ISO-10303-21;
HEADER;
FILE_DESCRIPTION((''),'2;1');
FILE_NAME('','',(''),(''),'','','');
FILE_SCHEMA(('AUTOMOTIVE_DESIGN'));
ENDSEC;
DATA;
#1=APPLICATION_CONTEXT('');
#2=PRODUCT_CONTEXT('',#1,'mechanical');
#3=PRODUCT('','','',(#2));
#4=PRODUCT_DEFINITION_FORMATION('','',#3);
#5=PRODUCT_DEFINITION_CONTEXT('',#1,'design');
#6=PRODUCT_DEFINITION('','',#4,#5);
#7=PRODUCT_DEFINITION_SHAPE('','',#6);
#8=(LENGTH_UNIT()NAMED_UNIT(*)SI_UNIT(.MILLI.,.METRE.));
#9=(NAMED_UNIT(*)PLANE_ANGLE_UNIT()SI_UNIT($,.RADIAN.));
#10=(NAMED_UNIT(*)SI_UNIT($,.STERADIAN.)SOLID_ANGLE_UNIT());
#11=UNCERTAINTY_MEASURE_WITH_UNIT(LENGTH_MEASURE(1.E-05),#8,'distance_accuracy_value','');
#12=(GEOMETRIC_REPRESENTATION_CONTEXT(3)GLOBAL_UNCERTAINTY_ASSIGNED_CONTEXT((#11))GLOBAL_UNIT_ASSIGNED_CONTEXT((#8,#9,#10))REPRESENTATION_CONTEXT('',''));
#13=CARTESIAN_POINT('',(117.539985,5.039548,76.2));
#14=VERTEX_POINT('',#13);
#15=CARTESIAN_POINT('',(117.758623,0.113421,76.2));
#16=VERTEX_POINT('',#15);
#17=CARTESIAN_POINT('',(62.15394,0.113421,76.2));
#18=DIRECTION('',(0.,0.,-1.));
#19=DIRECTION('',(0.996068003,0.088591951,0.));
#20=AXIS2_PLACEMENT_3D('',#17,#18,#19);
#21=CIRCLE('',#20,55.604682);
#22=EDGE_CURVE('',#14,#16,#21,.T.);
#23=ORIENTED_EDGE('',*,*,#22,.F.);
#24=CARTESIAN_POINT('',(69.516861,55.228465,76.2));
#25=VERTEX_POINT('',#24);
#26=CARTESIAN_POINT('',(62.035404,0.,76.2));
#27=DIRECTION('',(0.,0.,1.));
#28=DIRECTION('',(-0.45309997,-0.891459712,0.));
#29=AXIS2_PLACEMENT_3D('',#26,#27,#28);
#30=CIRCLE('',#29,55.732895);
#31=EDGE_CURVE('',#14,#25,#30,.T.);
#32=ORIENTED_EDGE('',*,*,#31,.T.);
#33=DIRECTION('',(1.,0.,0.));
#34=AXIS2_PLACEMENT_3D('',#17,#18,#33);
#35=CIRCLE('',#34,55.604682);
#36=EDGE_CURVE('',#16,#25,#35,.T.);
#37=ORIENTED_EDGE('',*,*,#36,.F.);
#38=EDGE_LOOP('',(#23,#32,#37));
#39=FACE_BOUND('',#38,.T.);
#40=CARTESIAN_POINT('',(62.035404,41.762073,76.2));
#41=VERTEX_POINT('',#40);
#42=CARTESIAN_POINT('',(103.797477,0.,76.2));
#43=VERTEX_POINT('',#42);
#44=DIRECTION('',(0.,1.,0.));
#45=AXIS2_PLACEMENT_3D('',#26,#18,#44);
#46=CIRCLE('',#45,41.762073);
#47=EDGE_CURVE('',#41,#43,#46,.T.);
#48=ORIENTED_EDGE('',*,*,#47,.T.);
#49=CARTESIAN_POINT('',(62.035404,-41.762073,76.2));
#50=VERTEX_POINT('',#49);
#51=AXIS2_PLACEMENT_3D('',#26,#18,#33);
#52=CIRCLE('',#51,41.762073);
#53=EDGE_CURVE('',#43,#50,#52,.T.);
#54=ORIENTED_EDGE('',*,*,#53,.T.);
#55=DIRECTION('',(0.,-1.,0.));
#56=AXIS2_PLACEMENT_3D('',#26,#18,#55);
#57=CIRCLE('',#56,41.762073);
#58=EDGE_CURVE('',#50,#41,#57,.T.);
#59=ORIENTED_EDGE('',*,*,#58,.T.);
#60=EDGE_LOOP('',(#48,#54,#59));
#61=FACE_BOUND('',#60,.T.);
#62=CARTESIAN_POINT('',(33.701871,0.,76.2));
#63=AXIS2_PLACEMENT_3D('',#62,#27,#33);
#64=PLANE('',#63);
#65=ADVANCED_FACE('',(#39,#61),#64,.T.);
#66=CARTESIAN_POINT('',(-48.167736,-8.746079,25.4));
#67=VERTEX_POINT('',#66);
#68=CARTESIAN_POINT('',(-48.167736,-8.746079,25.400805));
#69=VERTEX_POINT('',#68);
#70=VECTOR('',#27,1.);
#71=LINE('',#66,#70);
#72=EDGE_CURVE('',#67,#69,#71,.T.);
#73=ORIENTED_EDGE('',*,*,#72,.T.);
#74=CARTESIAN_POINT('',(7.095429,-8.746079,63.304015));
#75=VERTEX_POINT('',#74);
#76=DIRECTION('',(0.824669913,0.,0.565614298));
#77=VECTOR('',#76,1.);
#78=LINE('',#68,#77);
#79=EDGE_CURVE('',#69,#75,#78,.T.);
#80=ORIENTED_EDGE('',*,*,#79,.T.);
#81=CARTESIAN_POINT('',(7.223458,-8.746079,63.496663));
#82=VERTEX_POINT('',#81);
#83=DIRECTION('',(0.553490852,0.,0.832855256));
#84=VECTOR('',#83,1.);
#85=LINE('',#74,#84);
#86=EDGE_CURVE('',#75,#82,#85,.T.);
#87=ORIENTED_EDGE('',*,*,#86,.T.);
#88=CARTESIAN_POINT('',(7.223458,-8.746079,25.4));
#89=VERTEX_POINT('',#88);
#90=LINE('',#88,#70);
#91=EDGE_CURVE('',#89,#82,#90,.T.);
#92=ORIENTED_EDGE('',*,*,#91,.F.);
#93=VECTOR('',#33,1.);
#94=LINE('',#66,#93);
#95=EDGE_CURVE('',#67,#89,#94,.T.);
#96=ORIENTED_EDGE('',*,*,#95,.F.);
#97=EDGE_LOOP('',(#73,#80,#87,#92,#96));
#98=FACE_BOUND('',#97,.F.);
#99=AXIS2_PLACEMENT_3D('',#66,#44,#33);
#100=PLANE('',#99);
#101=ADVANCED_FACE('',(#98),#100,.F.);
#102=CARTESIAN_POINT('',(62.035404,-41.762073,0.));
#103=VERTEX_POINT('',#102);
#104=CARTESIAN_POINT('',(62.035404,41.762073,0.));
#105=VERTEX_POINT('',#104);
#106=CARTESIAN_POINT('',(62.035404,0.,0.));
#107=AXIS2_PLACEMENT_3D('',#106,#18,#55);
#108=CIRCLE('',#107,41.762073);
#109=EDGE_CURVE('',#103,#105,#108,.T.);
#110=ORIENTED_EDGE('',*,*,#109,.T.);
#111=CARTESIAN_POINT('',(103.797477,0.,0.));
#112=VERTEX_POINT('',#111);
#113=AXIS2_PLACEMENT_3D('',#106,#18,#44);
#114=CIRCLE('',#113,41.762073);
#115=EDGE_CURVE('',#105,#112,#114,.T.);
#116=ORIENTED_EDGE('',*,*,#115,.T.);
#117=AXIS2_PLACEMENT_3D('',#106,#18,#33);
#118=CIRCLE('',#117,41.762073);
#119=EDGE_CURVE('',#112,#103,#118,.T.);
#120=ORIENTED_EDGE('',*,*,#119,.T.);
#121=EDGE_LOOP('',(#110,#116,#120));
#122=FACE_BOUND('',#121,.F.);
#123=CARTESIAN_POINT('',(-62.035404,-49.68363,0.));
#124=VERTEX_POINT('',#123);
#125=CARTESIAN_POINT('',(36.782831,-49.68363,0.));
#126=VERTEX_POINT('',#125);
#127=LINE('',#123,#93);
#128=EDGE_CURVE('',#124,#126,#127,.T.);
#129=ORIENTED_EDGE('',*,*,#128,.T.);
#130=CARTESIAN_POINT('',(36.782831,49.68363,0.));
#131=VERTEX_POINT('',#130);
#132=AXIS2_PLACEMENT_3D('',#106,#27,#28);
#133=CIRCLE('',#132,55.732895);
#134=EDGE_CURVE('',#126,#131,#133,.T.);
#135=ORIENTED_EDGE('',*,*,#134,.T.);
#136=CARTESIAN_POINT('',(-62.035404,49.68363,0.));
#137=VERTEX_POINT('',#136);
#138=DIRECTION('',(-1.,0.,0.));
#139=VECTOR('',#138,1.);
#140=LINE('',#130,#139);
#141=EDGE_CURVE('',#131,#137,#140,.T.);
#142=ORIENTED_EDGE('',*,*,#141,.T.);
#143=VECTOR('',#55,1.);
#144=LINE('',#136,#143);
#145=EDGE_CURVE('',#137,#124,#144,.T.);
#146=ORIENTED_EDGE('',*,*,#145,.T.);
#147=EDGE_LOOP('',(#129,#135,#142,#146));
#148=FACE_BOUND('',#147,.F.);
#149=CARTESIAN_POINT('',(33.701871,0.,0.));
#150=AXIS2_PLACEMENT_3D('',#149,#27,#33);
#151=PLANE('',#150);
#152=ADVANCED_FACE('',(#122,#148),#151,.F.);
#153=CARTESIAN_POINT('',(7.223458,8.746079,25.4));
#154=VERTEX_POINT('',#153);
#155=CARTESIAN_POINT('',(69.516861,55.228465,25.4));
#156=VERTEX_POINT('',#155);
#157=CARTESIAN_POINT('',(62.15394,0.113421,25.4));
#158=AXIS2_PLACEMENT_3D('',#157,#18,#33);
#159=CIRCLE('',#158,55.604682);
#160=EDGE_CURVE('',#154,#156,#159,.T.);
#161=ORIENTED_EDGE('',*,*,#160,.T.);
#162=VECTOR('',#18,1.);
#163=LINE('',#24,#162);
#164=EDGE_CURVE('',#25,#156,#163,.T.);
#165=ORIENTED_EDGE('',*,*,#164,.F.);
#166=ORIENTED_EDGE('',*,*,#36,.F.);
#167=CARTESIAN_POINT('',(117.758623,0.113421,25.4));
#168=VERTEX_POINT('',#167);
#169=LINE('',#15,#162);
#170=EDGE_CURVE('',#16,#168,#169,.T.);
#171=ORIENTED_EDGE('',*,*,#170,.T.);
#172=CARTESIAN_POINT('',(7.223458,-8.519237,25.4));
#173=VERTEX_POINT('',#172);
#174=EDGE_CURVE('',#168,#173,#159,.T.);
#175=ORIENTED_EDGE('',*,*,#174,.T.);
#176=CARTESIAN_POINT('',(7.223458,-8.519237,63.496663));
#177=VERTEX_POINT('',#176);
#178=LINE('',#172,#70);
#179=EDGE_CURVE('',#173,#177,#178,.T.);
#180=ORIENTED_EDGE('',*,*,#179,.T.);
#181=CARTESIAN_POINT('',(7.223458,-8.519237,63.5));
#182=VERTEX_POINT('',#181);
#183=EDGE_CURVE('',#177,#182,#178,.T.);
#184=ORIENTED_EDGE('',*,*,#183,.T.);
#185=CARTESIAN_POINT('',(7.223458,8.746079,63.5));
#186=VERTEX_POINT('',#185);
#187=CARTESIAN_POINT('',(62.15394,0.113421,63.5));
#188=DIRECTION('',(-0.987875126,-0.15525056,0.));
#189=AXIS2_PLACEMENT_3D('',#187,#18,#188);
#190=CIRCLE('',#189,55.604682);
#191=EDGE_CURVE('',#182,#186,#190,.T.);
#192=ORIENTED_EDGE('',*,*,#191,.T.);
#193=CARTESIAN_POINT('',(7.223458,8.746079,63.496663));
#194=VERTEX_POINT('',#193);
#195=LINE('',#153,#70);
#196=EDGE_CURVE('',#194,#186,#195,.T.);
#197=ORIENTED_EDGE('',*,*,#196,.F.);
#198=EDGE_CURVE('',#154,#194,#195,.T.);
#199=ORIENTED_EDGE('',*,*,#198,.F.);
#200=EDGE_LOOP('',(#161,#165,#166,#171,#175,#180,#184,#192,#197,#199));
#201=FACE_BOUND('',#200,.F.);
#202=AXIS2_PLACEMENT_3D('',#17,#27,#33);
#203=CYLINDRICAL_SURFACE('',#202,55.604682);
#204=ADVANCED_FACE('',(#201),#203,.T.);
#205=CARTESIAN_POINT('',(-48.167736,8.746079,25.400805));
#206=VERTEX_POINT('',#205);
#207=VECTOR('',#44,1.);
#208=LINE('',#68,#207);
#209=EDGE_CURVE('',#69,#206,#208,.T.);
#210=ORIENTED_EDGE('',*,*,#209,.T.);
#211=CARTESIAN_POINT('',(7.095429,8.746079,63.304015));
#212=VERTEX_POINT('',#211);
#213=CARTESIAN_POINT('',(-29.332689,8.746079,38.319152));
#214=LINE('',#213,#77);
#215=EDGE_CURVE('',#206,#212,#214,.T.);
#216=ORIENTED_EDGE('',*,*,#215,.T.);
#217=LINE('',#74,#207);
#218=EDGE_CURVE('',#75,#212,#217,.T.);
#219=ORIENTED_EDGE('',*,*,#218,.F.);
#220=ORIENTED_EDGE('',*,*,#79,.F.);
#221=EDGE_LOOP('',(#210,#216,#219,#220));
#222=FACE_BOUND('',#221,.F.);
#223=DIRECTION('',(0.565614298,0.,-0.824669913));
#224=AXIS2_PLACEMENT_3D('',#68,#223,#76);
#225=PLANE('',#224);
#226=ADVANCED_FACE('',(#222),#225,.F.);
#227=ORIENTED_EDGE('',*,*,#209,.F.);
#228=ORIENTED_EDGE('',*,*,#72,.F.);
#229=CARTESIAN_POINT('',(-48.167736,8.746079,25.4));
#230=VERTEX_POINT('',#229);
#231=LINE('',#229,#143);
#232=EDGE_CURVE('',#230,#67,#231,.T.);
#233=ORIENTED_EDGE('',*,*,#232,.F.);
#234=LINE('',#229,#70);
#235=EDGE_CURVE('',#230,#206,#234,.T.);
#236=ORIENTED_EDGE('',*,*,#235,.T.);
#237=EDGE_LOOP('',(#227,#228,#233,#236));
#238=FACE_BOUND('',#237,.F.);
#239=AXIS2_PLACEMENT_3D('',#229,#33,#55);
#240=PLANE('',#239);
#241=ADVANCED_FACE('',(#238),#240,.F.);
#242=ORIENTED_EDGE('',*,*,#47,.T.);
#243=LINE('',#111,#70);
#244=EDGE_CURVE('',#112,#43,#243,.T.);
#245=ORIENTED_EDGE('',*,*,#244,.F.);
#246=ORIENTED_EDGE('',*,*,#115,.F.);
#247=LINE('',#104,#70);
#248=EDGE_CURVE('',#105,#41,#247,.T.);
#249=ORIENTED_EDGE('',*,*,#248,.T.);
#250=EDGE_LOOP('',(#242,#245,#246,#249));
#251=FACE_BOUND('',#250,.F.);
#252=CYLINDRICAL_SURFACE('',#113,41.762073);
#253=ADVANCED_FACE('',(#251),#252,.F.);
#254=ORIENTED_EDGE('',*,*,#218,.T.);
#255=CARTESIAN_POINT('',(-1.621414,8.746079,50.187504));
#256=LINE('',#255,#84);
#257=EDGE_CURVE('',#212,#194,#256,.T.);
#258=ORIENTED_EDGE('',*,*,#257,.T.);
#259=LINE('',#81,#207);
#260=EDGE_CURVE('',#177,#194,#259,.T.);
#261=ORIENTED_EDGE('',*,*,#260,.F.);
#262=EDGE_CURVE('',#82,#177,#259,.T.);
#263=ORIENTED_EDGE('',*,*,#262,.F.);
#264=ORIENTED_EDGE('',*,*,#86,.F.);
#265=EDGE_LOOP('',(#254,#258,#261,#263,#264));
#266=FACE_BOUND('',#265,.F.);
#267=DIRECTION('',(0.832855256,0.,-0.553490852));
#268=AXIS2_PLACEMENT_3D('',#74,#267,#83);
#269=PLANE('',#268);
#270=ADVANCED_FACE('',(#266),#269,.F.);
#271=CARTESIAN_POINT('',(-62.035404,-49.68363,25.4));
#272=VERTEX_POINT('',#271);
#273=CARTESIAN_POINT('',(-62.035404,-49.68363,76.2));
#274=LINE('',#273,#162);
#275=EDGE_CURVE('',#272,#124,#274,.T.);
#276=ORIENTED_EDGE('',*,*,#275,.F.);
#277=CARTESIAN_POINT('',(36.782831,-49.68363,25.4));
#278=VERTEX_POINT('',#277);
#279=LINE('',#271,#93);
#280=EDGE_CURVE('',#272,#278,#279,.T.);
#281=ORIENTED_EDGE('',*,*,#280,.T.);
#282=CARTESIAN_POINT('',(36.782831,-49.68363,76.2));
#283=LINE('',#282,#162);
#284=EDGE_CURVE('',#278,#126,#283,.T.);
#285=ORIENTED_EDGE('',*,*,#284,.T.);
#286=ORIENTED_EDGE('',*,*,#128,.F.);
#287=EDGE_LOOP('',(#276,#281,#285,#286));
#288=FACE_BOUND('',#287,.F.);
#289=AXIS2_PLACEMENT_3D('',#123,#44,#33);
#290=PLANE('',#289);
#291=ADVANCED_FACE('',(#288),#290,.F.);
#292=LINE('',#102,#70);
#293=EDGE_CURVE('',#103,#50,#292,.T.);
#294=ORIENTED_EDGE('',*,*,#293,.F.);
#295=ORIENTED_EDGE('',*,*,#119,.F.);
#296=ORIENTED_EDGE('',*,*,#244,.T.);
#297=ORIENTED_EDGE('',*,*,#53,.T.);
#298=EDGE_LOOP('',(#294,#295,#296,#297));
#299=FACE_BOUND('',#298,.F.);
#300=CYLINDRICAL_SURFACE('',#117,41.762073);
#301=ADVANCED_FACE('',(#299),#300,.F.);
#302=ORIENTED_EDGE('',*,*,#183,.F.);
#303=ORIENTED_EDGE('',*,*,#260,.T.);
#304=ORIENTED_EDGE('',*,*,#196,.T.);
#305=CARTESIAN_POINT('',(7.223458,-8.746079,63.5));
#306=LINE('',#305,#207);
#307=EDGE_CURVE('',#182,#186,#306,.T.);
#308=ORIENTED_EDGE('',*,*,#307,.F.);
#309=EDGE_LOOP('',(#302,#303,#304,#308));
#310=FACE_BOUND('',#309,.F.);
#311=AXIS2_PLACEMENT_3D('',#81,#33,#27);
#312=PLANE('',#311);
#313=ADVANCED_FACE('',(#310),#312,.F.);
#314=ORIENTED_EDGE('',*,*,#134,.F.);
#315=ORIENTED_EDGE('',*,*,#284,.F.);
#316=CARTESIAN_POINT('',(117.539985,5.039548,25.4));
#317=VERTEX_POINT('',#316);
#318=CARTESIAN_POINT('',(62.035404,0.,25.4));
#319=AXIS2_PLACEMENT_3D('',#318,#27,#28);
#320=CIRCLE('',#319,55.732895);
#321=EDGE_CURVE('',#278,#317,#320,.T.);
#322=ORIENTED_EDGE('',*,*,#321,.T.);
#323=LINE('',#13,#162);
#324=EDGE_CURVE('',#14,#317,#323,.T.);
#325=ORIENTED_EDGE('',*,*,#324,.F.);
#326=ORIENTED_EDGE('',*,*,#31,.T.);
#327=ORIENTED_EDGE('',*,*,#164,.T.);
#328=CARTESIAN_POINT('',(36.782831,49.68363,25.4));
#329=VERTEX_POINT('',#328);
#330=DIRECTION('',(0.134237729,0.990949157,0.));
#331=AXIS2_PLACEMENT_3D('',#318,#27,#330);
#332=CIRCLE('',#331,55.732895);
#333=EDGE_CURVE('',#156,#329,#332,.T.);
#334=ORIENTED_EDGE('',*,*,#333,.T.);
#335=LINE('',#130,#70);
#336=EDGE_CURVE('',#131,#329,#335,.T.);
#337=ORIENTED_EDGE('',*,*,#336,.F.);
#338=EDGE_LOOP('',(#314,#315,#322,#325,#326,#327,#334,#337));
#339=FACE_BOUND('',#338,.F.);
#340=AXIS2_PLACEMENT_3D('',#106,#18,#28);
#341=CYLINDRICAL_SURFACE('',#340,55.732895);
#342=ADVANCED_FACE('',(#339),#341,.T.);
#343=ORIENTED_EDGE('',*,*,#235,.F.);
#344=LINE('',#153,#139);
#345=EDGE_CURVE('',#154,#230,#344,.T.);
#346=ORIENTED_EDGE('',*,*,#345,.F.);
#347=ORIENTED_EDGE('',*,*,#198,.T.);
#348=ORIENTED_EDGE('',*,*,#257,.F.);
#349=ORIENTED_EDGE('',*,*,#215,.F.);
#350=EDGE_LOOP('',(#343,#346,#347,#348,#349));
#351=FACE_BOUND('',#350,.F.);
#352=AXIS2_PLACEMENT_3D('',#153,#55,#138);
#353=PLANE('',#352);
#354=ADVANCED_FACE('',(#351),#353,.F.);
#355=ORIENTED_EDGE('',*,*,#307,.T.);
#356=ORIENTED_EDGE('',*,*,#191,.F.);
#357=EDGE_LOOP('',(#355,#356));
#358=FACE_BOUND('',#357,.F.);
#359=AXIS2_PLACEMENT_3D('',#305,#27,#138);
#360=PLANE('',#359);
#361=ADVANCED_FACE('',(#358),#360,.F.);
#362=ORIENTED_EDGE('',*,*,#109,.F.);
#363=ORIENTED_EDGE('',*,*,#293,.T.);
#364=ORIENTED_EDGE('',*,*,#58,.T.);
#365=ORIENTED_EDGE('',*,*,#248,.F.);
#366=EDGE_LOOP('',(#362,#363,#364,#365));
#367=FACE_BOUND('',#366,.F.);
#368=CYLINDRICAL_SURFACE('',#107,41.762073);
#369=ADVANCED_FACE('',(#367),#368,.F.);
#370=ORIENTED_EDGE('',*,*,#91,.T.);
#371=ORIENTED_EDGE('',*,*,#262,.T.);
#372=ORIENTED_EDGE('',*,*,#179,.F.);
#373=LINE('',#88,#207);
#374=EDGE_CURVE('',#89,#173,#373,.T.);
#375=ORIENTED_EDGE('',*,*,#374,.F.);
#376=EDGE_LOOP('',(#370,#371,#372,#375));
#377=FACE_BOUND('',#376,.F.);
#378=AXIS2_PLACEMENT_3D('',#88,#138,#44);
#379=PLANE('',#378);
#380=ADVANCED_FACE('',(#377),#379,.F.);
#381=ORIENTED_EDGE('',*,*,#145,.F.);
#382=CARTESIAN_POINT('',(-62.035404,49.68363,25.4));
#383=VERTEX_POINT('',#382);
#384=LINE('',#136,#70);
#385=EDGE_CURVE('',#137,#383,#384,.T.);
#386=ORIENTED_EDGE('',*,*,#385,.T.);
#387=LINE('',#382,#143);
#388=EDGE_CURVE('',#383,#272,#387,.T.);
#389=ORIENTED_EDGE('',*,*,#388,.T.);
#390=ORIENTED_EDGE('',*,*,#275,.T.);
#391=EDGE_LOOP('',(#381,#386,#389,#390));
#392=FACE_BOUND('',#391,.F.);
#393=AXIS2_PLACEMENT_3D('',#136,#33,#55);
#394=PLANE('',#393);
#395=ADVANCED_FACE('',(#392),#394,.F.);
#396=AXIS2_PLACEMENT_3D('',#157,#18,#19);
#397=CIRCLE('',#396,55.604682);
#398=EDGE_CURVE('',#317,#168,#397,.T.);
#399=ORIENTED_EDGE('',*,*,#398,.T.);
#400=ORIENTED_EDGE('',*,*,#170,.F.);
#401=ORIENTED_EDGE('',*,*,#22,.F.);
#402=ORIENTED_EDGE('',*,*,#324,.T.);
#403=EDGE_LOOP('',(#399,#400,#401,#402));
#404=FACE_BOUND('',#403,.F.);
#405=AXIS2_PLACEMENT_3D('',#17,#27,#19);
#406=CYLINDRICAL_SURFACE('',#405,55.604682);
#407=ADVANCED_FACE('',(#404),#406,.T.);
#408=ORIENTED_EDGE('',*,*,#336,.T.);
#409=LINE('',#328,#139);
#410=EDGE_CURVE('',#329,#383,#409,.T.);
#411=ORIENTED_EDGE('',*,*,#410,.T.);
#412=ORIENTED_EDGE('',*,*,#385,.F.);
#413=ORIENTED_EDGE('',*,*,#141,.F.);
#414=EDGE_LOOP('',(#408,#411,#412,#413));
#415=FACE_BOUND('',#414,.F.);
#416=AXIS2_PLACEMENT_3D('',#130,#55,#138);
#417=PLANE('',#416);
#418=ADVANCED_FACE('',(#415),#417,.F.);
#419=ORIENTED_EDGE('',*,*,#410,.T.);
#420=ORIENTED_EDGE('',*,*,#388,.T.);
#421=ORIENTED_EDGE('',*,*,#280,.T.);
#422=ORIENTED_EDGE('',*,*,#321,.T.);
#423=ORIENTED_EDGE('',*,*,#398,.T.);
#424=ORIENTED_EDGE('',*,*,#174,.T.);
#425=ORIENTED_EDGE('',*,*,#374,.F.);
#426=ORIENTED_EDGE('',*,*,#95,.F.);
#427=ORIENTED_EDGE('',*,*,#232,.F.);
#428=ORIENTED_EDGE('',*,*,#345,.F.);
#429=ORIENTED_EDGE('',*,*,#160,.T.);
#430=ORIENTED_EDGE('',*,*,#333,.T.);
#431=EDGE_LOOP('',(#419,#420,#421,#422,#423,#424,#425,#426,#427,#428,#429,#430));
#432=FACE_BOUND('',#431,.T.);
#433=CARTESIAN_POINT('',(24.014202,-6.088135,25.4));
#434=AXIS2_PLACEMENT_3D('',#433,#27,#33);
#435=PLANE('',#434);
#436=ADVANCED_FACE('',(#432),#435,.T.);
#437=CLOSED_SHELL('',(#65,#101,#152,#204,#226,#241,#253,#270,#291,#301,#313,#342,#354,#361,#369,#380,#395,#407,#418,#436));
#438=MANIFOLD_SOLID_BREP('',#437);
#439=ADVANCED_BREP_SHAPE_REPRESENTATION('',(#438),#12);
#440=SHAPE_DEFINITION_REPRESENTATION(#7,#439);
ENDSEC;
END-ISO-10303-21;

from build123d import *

# Parameters (mm, degrees)
F1_DEPTH = 25.4
F2_DEPTH = 76.2
F4_DEPTH = 50.8
F6_DEPTH = 38.1
F9_DEPTH = 50.8


with BuildPart() as f1:
    # F0 (on Top) → F1 (new body)
    with BuildSketch(Plane.XY):
        with BuildLine():
            ThreePointArc((36.7828311237, -49.6836304665), (6.3025091863, 0), (36.7828311237, 49.6836304665))
            Line((36.7828311237, 49.6836304665), (-62.0354041457, 49.6836304665))
            Line((-62.0354041457, 49.6836304665), (-62.0354041457, -49.6836304665))
            Line((-62.0354041457, -49.6836304665), (36.7828311237, -49.6836304665))
        make_face()
    extrude(amount=F1_DEPTH)

    # F0 (on Top) → F2 (join)
    with BuildSketch(Plane.XY):
        with BuildLine():
            Line((62.0354041457, 41.7620725768), (62.0354041457, 49.6836304665))
            Line((62.0354041457, 49.6836304665), (36.7828311237, 49.6836304665))
            ThreePointArc((36.7828311237, 49.6836304665), (6.3025091863, 0), (36.7828311237, -49.6836304665))
            Line((36.7828311237, -49.6836304665), (62.0354041457, -49.6836304665))
            Line((62.0354041457, -49.6836304665), (62.0354041457, -41.7620725768))
            ThreePointArc((62.0354041457, -41.7620725768), (20.2733315689, 0), (62.0354041457, 41.7620725768))
        make_face()
        with BuildLine():
            Line((36.7828311237, 49.6836304665), (62.0354041457, 49.6836304665))
            Line((62.0354041457, 49.6836304665), (62.0354041457, 41.7620725768))
            ThreePointArc((62.0354041457, 41.7620725768), (91.5656488612, 29.5302447155), (103.7974767226, 0))
            ThreePointArc((103.7974767226, 0), (91.5656488612, -29.5302447155), (62.0354041457, -41.7620725768))
            Line((62.0354041457, -41.7620725768), (62.0354041457, -49.6836304665))
            Line((62.0354041457, -49.6836304665), (36.7828311237, -49.6836304665))
            ThreePointArc((36.7828311237, -49.6836304665), (91.1794994385, -47.5055500981), (117.7682991051, 0))
            ThreePointArc((117.7682991051, 0), (91.1794994385, 47.5055500981), (36.7828311237, 49.6836304665))
        make_face()
        with BuildLine():
            ThreePointArc((36.7828311237, -49.6836304665), (6.3025091863, 0), (36.7828311237, 49.6836304665))
            Line((36.7828311237, 49.6836304665), (-62.0354041457, 49.6836304665))
            Line((-62.0354041457, 49.6836304665), (-62.0354041457, -49.6836304665))
            Line((-62.0354041457, -49.6836304665), (36.7828311237, -49.6836304665))
        make_face()
    extrude(amount=F2_DEPTH)

    # F3 (on face) → F4 (cut)
    with BuildSketch(Plane.XY.offset(76.2)):
        with BuildLine():
            ThreePointArc((117.5399853374, 5.0395483226), (117.7039365392, 2.5789094219), (117.7586227951, 0.1134209896))
            ThreePointArc((117.7586227951, 0.1134209896), (20.3132089265, -36.5094395307), (69.5168613964, 55.2284652871))
            ThreePointArc((69.5168613964, 55.2284652871), (52.7273733531, 54.9501241429), (36.7828311237, 49.6836304665))
            Line((36.7828311237, 49.6836304665), (-62.0354041457, 49.6836304665))
            Line((-62.0354041457, 49.6836304665), (-62.0354041457, -49.6836304665))
            Line((-62.0354041457, -49.6836304665), (36.7828311237, -49.6836304665))
            ThreePointArc((36.7828311237, -49.6836304665), (93.2996420825, -46.1378695519), (117.5399853374, 5.0395483226))
        make_face()
    extrude(amount=-F4_DEPTH, mode=Mode.SUBTRACT)

    # F5 (on face) → F6 (join)
    with BuildSketch(Plane.XY.offset(25.4)):
        with BuildLine():
            ThreePointArc((7.2234576062, -8.5192370875), (6.5492578133, 0.1134209896), (7.2234576061, 8.7460790667))
            Line((7.2234576062, 8.7460790667), (-48.1677358464, 8.7460790667))
            Line((-48.1677358464, 8.7460790667), (-48.1677358464, -8.7460790667))
            Line((-48.1677358464, -8.7460790667), (7.2234576062, -8.7460790667))
            Line((7.2234576062, -8.7460790667), (7.2234576062, -8.5192370875))
        make_face()
    extrude(amount=F6_DEPTH)

    # F8 (on face) → F9 (cut)
    with BuildSketch(Plane.XZ.offset(8.7460790667)):
        Polygon((-48.1677358464, 63.5), (-48.1677358464, 25.4008052661), (7.095429115, 63.304014504), (7.2234576062, 63.4966630391), (7.2234576062, 63.5), align=None)
    extrude(amount=-F9_DEPTH, mode=Mode.SUBTRACT)


solid = f1.part
